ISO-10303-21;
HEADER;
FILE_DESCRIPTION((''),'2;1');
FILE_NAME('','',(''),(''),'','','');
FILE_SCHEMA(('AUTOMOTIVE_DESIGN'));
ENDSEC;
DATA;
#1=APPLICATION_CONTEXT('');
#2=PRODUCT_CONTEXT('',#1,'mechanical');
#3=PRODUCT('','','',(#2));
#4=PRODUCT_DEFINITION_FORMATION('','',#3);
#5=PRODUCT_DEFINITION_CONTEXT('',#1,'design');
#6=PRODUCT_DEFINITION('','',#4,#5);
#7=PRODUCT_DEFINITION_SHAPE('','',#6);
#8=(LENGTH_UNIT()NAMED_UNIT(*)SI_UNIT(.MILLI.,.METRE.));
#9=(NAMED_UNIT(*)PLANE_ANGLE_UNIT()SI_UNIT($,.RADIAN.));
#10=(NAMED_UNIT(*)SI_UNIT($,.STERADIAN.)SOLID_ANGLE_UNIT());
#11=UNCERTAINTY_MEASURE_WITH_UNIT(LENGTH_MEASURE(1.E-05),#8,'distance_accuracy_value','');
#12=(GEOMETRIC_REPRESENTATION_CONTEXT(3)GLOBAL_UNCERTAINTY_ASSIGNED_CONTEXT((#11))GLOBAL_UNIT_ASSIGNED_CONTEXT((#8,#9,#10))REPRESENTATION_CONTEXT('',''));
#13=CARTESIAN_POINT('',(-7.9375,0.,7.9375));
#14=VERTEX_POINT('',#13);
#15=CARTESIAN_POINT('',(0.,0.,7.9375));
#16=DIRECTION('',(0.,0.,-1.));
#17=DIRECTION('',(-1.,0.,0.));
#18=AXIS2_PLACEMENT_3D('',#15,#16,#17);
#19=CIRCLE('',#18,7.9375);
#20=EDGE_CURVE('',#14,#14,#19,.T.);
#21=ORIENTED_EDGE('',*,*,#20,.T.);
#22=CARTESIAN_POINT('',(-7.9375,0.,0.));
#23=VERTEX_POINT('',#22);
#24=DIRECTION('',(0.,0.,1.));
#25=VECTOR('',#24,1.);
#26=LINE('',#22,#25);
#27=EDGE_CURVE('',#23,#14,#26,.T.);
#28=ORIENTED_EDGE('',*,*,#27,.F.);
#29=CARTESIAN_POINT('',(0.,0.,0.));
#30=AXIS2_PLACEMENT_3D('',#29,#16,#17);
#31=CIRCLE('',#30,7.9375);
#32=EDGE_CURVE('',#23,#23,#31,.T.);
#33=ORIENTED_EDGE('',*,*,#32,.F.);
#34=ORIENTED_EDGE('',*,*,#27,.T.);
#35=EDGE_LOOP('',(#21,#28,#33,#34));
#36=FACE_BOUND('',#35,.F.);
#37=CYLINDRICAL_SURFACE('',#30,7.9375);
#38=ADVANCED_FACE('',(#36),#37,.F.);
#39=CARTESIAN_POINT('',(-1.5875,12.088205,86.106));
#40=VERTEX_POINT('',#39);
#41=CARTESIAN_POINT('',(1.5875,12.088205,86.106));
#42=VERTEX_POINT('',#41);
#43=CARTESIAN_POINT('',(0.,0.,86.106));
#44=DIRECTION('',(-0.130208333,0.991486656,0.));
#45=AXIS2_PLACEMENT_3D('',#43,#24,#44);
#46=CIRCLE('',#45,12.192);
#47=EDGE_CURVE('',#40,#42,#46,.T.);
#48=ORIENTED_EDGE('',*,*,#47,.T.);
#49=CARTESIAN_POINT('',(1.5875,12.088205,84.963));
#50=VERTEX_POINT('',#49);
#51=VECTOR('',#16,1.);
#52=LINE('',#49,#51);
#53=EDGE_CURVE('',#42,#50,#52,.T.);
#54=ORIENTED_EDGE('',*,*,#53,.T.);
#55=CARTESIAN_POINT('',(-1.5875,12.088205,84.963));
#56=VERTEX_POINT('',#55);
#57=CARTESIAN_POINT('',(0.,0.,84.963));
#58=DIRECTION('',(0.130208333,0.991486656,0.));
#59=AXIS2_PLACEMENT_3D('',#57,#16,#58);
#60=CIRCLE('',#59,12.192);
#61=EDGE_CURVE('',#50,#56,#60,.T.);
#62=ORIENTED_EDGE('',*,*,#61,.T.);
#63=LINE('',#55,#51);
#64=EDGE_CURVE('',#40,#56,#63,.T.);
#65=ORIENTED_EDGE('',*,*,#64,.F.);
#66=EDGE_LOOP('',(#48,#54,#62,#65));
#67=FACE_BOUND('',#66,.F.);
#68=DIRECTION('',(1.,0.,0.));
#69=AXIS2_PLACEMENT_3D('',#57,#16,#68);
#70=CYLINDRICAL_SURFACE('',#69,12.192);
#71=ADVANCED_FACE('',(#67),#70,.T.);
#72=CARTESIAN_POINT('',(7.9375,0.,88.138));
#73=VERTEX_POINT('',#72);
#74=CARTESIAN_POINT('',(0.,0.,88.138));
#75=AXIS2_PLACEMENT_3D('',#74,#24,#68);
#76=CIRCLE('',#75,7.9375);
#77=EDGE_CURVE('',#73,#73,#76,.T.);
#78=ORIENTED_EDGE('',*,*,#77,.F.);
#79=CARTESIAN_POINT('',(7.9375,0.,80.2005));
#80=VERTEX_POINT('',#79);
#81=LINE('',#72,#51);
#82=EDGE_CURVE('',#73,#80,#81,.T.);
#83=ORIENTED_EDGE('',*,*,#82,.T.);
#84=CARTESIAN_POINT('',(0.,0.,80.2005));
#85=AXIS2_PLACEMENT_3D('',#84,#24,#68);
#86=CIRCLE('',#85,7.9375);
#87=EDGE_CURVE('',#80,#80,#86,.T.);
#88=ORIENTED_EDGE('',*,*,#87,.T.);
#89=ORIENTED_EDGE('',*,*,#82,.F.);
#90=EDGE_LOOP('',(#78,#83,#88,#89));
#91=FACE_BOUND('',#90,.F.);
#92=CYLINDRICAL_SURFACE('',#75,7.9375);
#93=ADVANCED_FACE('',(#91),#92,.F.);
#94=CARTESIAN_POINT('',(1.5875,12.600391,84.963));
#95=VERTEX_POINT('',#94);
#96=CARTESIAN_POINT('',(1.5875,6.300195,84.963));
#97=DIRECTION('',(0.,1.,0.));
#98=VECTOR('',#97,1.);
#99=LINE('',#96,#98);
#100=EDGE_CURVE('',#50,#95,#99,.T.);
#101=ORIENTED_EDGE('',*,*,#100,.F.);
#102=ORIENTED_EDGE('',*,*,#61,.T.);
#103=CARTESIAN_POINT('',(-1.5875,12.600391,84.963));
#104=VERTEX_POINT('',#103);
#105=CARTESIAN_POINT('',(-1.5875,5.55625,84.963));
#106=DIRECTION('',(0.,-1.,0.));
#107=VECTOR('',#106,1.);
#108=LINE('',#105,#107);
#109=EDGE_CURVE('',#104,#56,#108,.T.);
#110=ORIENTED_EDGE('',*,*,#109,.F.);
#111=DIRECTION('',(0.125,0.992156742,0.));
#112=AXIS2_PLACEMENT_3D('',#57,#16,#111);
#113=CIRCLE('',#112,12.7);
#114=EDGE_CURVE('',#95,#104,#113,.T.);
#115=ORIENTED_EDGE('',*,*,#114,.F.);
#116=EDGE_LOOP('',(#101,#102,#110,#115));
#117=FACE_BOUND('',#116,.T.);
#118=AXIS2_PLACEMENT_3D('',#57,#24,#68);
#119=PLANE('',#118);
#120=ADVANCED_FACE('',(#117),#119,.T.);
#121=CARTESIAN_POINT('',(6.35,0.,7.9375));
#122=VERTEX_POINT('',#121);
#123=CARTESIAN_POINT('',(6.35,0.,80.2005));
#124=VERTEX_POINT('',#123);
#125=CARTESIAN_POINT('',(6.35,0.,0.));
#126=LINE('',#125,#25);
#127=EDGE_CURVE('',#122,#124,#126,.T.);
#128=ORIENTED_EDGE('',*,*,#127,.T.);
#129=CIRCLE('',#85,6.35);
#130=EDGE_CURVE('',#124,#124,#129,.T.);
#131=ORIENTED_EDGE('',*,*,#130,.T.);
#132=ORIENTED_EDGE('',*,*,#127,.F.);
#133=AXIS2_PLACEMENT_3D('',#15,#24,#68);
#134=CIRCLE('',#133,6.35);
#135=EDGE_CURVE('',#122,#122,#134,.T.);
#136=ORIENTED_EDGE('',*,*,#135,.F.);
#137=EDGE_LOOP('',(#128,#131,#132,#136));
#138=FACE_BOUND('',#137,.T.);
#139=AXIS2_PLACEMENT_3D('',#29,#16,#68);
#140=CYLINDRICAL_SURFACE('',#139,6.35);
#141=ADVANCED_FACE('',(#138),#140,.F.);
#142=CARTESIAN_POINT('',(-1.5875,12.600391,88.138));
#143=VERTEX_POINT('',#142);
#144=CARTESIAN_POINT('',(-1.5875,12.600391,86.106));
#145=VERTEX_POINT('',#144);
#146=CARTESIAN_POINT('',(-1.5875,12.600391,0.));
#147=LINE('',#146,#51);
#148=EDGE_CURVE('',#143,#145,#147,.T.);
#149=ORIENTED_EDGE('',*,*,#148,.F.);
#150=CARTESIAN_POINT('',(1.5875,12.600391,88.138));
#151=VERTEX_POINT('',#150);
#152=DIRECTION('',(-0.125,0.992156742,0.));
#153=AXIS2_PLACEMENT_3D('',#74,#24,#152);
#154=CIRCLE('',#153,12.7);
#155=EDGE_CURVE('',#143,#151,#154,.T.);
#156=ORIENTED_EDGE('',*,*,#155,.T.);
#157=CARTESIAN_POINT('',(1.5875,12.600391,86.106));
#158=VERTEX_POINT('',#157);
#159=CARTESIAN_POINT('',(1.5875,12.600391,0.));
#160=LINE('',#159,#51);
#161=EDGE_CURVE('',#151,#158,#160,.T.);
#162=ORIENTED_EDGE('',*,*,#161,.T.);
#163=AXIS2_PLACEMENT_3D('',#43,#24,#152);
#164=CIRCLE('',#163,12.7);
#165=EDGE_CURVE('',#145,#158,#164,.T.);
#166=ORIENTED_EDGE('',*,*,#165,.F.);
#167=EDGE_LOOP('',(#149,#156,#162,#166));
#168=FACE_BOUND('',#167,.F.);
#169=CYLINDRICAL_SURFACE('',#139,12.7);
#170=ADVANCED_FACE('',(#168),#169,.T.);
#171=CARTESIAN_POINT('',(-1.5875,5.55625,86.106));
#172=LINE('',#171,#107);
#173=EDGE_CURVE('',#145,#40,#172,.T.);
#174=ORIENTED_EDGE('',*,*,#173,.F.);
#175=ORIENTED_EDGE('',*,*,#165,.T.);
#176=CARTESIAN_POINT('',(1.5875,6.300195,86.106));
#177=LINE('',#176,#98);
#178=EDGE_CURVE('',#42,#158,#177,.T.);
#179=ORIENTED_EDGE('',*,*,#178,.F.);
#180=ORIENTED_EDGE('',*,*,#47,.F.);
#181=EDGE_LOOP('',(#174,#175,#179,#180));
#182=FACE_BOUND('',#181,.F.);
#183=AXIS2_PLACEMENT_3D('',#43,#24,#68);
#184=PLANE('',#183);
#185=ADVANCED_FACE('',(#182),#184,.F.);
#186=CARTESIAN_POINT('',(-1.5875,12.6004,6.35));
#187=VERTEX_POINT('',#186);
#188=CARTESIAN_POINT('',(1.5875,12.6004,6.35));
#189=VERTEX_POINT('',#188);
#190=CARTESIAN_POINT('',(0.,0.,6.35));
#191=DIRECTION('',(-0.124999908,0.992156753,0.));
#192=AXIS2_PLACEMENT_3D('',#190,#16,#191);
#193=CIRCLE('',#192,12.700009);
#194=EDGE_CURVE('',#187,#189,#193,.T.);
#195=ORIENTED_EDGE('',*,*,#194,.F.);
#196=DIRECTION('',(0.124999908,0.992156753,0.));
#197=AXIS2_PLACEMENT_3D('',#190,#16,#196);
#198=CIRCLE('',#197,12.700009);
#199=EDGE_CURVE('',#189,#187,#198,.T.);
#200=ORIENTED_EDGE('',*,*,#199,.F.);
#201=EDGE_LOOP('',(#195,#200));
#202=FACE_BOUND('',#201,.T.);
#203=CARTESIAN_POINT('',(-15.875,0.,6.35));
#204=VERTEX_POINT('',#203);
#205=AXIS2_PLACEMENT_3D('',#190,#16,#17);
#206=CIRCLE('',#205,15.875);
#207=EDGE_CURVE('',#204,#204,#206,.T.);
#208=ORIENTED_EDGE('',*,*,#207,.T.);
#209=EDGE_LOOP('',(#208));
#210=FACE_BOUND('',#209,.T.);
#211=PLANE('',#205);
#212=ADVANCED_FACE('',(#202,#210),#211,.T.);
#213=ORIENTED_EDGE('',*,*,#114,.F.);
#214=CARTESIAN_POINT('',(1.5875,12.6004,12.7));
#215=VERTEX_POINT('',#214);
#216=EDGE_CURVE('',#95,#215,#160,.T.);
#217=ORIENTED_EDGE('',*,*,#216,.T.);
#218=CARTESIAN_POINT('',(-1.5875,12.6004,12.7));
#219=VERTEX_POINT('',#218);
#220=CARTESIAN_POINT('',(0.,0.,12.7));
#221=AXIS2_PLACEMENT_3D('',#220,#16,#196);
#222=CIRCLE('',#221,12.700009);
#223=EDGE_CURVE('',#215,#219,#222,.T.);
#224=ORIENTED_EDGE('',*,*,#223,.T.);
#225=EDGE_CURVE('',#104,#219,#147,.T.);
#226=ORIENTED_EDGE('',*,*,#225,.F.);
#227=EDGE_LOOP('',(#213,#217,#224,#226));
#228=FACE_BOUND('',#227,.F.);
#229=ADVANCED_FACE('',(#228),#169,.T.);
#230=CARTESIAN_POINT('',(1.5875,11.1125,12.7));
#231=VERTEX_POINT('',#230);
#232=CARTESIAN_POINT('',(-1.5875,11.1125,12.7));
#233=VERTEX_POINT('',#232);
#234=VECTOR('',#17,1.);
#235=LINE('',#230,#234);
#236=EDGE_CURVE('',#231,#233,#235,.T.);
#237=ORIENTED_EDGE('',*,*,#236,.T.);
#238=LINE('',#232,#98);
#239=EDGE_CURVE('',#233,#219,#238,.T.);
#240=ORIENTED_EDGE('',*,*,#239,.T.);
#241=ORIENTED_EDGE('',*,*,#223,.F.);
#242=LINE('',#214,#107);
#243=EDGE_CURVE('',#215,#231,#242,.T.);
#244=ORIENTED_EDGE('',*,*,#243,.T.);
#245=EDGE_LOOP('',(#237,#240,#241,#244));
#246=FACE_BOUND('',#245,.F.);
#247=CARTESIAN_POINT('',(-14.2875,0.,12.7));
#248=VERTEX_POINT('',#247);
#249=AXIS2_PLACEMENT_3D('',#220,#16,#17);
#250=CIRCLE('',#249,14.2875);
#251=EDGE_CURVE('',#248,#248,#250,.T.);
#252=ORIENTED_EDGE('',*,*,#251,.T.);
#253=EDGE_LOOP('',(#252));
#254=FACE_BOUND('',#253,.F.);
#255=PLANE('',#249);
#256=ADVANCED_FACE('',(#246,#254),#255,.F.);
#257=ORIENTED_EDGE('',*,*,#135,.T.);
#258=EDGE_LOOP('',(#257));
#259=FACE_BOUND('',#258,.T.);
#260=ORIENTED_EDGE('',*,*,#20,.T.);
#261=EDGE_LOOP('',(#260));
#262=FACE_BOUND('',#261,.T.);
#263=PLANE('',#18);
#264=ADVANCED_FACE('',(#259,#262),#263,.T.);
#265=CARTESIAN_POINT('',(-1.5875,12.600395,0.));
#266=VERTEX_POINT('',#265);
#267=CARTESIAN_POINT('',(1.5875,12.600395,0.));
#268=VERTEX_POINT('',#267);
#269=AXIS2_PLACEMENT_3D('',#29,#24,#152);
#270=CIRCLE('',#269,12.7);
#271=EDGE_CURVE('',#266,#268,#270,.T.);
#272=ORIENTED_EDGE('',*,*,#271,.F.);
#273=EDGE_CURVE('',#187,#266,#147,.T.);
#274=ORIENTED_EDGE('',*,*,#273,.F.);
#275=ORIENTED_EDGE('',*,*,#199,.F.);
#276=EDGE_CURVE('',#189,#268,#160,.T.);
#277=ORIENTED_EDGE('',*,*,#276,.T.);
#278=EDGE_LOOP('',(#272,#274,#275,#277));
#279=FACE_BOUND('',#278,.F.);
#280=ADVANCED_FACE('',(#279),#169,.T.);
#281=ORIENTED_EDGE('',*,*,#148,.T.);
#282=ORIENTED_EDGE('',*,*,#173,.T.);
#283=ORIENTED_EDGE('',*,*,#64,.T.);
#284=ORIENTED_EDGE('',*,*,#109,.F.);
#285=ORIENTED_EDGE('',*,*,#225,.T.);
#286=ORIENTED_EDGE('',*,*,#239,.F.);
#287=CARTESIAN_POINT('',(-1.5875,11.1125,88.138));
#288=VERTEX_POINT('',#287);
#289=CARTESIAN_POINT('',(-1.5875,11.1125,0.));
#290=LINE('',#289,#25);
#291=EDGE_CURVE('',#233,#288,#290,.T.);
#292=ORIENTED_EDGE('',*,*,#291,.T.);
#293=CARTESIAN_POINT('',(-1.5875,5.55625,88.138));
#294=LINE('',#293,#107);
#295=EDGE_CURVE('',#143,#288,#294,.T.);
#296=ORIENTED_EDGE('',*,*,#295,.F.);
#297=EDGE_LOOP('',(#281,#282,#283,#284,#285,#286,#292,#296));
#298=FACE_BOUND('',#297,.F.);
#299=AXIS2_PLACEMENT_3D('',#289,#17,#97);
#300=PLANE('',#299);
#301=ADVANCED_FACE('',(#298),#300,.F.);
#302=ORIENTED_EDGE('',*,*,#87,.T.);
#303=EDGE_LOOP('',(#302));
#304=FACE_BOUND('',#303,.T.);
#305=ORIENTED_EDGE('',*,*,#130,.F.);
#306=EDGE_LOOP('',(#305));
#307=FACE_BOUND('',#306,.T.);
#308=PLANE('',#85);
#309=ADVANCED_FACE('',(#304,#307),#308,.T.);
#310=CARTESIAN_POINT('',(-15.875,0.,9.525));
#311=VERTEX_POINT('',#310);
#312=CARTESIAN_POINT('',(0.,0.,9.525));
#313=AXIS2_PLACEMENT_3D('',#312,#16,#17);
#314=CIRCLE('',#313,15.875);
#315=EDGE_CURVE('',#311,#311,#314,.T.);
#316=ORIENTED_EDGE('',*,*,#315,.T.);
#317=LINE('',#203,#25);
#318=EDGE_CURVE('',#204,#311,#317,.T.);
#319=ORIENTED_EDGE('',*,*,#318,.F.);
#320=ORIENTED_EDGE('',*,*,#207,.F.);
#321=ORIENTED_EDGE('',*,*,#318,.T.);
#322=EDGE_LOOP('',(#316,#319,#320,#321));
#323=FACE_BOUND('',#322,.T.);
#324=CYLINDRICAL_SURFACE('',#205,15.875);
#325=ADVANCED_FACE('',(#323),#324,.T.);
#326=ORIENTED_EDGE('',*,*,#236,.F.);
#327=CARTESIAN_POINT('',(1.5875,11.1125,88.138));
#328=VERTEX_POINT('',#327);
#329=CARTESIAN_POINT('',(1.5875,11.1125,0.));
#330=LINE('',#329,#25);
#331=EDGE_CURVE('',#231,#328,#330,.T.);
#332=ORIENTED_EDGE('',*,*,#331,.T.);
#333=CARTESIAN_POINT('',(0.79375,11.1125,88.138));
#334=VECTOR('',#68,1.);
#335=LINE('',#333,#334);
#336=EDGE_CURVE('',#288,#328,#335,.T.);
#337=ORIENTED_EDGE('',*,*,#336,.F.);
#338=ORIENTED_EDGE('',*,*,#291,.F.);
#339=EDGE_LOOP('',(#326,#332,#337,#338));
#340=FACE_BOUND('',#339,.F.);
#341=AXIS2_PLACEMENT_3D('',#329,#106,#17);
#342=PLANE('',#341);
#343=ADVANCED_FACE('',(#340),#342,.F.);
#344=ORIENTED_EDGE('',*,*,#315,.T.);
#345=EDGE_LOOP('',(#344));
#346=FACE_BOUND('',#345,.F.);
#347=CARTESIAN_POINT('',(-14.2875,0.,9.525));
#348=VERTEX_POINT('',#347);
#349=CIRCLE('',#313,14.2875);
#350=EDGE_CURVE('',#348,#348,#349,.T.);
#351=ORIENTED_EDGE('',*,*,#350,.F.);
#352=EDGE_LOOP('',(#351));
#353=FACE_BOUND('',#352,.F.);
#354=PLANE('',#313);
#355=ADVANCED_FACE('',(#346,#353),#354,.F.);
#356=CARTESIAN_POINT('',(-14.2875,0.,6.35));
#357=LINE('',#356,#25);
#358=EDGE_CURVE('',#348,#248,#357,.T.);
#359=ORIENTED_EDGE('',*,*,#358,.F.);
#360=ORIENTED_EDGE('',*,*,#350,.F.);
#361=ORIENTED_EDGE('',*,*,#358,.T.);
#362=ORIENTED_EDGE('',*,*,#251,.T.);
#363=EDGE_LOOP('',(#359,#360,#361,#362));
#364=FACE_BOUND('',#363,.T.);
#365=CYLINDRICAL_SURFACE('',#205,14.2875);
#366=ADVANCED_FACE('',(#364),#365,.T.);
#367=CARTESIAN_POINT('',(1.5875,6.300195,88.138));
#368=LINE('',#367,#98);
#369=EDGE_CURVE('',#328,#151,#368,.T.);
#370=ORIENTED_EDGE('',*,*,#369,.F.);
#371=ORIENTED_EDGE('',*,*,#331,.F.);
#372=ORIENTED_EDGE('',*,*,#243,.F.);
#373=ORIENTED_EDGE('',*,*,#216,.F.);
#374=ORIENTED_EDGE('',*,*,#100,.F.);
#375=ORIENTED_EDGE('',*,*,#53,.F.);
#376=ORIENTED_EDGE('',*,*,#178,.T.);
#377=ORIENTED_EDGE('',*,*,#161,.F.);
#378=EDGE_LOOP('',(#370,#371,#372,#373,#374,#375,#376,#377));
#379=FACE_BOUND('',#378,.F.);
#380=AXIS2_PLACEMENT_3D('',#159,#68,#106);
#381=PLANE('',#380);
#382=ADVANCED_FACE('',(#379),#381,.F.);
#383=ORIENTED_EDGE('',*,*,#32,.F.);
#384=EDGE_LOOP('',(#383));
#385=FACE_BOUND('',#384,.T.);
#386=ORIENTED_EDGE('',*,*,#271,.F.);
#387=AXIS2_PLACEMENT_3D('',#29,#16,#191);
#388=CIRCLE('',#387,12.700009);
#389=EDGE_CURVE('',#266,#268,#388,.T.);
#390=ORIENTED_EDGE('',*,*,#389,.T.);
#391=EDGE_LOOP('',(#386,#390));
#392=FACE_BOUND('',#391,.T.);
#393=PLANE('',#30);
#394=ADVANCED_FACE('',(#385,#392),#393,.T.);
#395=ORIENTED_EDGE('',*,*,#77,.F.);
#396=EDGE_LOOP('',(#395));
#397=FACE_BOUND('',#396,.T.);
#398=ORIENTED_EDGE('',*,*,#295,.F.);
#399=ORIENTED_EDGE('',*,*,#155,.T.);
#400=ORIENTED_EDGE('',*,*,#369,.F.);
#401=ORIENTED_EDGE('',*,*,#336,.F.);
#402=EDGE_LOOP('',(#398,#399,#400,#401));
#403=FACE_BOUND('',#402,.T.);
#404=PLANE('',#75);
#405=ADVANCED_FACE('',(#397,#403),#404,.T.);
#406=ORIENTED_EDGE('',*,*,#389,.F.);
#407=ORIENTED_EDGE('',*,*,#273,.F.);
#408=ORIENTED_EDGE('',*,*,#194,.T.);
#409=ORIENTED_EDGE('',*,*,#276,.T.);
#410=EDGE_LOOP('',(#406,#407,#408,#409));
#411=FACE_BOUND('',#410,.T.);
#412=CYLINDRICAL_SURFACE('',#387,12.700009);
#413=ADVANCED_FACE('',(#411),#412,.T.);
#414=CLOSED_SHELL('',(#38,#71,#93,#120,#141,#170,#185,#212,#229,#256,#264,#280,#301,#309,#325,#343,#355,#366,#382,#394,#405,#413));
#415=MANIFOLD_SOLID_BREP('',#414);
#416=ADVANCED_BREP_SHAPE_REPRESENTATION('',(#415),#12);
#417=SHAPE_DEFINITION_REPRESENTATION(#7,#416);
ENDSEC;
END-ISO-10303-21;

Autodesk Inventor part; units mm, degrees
sketch "Sketch1" plane through (0, 0, 0) normal (0, 0, 1) x (1, 0, 0)
  circle A0 centre (0, 0) radius 12.7
  circle A1 centre (0, 0) radius 6.35
  line L0 (-1.5875, 14.2875) -> (1.5875, 14.2875)
  line L1 (1.5875, 14.2875) -> (1.5875, 11.1125)
  line L2 (1.5875, 11.1125) -> (-1.5875, 11.1125)
  line L3 (-1.5875, 11.1125) -> (-1.5875, 14.2875)
  dimension "d0" = 25.4
  dimension "d4" = 12.7
  dimension "d50" = 3.175
  dimension "d51" = 3.175
  dimension "d52" = 1.5875
  dimension "d53" = 14.2875
extrude "Extrusion4" add sketch "Sketch1" along normal blind 88.138 contours A0 L3 L2 L1 | L1 L2 L3 A0
ref_plane "Work Plane5" through (0, 0, 84.963) normal (0, 0, 1) x (1, 0, 0)
sketch "Sketch6" plane through (0, 0, 84.963) normal (0, 0, 1) x (1, 0, 0)
  circle A0 centre (0, 0) radius 12.192
  circle A1 centre (0, 0) radius 12.7 projected
  dimension "d24" = 24.384
extrude "Extrusion8" cut sketch "Sketch6" along normal blind 1.143
ref_plane "Work Plane6" through (0, 0, 15.113) normal (0, 0, -1) x (-1, 0, 0)
ref_plane "Work Plane9" through (0, 0, 43.3324) normal (0, 0, -1) x (-1, 0, 0)
ref_plane "Work Plane10" through (0, 0, 29.464) normal (0, 0, -1) x (-1, 0, 0)
extrude "Extrusion16" cut sketch "Sketch1" along normal through all contours L1 L2 L3 A0 | A0 L3 L0 L1 picked at (0.1768, 11.638)
sketch "Sketch14" plane through (0, 0, 88.138) normal (0, 0, 1) x (1, 0, 0)
  circle A0 centre (0, 0) radius 6.35 projected
  circle A1 centre (0, 0) radius 7.9375
  dimension "d56" = 15.875
extrude "Extrusion17" cut sketch "Sketch14" against normal blind 7.9375
sketch "Sketch15" plane through (0, 0, 0) normal (0, 0, -1) x (-1, 0, 0)
  circle A0 centre (0, 0) radius 6.35 projected
  circle A1 centre (0, 0) radius 7.9375
  dimension "d59" = 15.875
extrude "Extrusion18" cut sketch "Sketch15" against normal blind 7.9375
ref_plane "Work Plane13" through (0, 0, 6.35) normal (0, 0, -1) x (-1, 0, 0)
sketch "Sketch16" plane through (0, 0, 6.35) normal (0, 0, -1) x (-1, 0, 0)
  arc A0 (-1.5875, 12.6004) -> (1.5875, 12.6004) centre (0, 0) ccw projected
  line L0 (-1.5875, 12.6004) -> (-1.5875, 11.1125) projected
  line L1 (-1.5875, 11.1125) -> (1.5875, 11.1125) projected
  line L2 (1.5875, 11.1125) -> (1.5875, 12.6004) projected
  circle A1 centre (0, 0) radius 15.875
  circle A2 centre (0, 0) radius 14.2875
  dimension "d63" = 31.75
  dimension "d68" = 28.575
extrude "Extrusion19" add sketch "Sketch16" against normal blind 3.175 contours A1 | A2
sketch "Sketch17" plane through (0, 0, 0) normal (0, 0, -1) x (-1, 0, 0)
  line L0 (-1.5875, 11.1125) -> (-1.5875, 12.6004) projected
  arc A0 (-1.5875, 12.6004) -> (1.5875, 12.6004) centre (0, 0) ccw projected
  line L1 (1.5875, 12.6004) -> (1.5875, 11.1125) projected
  line L2 (1.5875, 11.1125) -> (-1.5875, 11.1125) projected
  arc A1 (1.5875, 12.6004) -> (-1.5875, 12.6004) centre (0, 0) ccw
extrude "Extrusion20" add sketch "Sketch17" against normal blind 6.35 contours L0 A1 L1 L2
extrude "Extrusion21" add sketch "Sketch16" against normal blind 6.35 contours A2
equation "\"d51\" = d50"
equation "\"d52\" = 0.5 * d50"
equation "\"d53\" = 0.5 * d0 + 0.5 * d50"
properties part number "turn shaft"
